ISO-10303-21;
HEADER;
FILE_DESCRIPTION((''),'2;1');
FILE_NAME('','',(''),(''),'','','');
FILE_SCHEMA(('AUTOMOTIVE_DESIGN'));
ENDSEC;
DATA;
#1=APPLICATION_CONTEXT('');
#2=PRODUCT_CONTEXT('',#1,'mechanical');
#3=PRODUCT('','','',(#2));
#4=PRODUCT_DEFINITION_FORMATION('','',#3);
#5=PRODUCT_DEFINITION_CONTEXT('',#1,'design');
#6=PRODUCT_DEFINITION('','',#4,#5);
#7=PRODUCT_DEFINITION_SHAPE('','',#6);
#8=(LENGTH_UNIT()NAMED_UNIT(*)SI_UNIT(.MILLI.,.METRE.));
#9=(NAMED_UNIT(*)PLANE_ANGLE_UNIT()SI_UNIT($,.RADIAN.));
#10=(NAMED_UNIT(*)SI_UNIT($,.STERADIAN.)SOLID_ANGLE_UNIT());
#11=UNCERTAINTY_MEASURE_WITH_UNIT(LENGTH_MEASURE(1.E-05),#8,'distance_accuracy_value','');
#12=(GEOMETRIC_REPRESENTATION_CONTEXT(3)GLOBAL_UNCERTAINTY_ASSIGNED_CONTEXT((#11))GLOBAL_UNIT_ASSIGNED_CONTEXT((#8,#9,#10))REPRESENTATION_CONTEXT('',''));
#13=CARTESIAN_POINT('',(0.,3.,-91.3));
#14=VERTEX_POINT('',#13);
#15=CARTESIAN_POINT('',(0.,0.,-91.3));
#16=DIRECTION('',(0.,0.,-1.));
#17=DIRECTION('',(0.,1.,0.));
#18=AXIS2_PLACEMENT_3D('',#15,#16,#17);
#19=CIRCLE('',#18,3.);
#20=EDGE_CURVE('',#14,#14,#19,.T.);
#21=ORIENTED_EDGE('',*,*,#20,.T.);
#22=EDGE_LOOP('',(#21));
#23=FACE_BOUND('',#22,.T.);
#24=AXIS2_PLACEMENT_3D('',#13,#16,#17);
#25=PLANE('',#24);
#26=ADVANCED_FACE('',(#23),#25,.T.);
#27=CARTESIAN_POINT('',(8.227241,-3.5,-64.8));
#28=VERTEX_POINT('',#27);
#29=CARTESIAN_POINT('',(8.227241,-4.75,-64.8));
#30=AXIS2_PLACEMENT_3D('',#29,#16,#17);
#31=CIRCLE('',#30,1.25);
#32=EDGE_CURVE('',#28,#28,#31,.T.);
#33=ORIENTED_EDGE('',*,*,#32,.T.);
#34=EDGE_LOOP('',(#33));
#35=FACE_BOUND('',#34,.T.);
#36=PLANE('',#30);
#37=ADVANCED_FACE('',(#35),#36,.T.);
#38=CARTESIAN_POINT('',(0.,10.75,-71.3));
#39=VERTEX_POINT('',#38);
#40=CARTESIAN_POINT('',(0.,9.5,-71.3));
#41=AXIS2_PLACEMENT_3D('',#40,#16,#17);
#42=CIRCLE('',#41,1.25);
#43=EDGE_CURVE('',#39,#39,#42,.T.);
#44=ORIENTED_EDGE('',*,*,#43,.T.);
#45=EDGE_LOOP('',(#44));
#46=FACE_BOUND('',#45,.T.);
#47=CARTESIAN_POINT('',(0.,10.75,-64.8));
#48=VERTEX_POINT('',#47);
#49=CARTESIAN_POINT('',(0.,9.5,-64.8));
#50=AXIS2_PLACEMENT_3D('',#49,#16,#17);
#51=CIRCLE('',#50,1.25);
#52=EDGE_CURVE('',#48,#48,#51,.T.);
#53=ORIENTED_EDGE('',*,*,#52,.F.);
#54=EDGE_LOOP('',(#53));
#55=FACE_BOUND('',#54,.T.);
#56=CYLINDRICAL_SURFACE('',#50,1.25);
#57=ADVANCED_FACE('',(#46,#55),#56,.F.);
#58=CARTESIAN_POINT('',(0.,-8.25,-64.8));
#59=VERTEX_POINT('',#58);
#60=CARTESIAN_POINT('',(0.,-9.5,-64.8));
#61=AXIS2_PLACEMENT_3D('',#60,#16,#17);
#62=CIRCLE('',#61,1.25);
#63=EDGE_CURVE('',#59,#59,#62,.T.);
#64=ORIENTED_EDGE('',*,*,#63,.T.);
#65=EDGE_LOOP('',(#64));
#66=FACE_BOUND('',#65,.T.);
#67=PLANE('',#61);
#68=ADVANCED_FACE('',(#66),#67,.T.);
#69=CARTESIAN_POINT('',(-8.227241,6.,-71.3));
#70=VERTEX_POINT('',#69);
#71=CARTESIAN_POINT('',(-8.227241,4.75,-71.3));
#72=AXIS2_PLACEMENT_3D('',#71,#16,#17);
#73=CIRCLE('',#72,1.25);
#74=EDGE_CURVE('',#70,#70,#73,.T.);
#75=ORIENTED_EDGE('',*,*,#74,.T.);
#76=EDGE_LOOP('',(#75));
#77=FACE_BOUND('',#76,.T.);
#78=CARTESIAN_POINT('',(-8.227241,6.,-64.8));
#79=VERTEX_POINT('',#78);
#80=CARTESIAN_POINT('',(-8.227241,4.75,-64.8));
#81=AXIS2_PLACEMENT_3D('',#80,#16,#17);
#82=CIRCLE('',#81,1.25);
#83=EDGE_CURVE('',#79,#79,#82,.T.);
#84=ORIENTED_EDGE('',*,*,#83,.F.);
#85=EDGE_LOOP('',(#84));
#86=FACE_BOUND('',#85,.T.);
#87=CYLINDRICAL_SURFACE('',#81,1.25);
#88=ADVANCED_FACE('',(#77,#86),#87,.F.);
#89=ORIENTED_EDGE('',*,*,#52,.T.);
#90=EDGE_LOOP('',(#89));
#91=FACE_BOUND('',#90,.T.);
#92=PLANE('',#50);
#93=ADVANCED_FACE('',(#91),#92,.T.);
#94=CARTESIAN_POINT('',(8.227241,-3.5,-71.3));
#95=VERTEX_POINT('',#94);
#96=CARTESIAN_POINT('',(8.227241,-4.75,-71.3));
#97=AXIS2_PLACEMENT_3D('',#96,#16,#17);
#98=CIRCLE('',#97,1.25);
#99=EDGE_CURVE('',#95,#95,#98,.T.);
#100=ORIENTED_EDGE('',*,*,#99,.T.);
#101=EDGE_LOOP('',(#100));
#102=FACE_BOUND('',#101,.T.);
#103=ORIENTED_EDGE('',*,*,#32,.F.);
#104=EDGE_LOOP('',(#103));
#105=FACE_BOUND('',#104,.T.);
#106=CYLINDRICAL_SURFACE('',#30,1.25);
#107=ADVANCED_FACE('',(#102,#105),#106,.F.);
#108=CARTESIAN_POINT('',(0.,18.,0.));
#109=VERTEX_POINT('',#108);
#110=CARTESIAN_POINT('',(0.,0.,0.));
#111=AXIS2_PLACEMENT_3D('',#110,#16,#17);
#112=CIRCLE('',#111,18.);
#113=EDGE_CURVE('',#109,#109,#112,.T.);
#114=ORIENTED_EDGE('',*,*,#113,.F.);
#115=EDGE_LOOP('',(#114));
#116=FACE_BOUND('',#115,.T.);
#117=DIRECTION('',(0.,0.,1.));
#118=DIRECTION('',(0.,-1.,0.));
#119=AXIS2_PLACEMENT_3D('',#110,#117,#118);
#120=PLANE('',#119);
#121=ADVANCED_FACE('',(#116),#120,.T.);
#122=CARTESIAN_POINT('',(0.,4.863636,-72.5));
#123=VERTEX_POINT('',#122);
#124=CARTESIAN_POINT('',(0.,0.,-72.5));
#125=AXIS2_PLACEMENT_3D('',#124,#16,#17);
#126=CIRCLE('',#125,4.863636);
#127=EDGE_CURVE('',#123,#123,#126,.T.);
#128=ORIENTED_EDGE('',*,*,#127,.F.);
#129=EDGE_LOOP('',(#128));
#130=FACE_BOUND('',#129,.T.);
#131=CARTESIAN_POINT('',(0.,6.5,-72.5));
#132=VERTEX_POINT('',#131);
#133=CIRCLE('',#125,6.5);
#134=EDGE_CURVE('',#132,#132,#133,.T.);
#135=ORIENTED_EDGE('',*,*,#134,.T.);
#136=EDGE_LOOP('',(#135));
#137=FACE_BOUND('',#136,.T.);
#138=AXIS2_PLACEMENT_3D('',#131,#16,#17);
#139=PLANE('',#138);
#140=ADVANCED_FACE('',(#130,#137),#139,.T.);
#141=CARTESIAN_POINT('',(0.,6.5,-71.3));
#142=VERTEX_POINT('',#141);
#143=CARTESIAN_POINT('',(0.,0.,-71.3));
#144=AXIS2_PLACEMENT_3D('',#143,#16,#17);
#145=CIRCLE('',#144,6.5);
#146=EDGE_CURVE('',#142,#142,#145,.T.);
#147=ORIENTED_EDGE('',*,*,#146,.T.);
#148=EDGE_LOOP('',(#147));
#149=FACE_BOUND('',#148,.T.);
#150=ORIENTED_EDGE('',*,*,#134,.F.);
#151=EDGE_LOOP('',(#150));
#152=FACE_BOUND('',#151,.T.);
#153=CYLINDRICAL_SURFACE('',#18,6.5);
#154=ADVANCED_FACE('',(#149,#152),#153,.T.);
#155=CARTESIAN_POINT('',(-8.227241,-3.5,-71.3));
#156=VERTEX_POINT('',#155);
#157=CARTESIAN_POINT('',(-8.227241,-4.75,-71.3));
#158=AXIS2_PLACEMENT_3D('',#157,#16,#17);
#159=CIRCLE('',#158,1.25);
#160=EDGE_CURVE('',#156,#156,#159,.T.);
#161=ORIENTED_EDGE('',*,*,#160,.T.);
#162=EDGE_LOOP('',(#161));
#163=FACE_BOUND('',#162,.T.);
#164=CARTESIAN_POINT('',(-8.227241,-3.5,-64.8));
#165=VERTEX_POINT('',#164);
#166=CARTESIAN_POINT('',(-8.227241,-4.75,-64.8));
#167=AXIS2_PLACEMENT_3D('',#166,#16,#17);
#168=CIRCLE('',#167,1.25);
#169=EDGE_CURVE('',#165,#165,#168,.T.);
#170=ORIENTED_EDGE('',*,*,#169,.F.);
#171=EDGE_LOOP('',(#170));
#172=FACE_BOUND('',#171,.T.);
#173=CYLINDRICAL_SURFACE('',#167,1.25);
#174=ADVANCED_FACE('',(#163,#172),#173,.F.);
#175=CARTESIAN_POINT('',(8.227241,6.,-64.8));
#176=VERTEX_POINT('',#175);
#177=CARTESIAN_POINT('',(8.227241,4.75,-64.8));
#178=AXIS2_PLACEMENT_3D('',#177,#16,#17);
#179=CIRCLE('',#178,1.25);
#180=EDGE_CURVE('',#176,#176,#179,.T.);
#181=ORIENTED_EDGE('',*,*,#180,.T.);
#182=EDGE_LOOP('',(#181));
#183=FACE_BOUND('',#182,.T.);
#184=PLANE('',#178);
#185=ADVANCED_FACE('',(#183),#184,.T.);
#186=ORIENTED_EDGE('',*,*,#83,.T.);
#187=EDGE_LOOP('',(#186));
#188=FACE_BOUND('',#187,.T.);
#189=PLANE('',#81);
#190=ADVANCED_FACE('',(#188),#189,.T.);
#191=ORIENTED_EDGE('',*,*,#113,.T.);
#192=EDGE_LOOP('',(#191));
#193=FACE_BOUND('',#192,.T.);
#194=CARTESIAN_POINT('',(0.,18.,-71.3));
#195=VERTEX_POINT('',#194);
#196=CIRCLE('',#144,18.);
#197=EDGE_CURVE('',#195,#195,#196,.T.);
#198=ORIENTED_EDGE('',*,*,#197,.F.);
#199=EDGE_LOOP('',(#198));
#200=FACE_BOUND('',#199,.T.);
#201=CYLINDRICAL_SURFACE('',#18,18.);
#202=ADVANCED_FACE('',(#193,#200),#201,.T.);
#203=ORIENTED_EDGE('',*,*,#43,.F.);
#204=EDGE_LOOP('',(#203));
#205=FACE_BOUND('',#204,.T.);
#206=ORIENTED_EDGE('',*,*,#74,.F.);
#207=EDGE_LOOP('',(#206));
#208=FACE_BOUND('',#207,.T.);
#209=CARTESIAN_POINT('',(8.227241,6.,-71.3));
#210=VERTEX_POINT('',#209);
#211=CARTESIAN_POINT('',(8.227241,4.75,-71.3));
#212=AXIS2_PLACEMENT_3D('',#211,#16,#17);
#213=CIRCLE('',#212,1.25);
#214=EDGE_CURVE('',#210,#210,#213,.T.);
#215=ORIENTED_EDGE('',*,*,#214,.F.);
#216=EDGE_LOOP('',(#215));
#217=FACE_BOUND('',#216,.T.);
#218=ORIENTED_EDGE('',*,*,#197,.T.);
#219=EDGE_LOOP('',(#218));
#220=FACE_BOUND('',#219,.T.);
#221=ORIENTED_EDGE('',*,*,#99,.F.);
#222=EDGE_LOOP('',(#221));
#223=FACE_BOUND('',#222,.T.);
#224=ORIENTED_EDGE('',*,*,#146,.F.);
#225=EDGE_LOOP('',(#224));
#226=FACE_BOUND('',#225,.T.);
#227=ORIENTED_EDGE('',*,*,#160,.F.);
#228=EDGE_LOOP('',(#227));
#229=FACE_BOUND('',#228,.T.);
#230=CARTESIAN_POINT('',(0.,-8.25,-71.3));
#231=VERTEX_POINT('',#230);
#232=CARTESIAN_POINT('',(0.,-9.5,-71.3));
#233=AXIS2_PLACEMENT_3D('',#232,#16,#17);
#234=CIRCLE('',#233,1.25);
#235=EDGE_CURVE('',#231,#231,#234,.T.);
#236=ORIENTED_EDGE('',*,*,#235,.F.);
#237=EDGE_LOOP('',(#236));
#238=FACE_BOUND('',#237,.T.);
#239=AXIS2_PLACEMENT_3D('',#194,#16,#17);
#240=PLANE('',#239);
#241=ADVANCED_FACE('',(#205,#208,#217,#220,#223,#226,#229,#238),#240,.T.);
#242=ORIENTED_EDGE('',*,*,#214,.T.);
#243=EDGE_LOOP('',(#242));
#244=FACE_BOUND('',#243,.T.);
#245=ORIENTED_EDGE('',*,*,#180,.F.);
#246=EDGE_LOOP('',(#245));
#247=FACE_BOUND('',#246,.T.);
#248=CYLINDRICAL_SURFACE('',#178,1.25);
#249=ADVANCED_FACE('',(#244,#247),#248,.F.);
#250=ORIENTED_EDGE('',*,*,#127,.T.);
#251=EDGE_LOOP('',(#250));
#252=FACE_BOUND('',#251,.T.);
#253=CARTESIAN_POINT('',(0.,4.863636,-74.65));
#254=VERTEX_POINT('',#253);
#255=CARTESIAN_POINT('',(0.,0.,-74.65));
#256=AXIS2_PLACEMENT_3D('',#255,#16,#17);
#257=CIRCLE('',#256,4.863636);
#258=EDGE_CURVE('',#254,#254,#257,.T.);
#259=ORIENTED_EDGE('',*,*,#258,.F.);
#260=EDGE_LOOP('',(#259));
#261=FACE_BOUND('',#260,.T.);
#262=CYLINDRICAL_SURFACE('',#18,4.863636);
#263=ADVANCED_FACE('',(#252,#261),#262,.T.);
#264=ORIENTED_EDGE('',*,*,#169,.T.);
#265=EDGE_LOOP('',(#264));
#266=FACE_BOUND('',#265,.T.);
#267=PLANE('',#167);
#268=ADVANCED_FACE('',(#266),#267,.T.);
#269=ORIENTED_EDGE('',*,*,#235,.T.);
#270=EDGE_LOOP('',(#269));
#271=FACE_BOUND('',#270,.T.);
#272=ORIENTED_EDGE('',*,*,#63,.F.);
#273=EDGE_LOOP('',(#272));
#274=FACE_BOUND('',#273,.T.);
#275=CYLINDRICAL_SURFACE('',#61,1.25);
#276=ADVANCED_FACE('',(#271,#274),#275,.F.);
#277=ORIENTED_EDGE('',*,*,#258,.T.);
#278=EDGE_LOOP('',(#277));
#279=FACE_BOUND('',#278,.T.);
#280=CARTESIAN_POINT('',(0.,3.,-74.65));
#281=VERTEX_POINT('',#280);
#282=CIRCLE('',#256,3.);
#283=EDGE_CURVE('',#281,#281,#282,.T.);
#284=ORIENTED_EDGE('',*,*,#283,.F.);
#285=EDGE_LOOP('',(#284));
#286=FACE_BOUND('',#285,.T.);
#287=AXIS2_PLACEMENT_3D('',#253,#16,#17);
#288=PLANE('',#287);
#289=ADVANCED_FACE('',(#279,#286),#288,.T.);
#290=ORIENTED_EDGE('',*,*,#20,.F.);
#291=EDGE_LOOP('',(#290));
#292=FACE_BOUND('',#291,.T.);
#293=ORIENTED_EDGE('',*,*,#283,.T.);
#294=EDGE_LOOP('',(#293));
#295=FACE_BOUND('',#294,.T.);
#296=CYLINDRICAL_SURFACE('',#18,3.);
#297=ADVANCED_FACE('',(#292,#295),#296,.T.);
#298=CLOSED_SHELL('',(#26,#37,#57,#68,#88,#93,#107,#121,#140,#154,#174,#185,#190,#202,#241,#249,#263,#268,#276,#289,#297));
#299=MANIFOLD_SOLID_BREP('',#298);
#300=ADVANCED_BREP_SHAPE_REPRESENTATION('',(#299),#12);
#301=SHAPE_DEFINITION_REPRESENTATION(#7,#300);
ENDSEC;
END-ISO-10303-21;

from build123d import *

# Parameters (mm, degrees)
SKETCH2_R          = 1.25
CUT_EXTRUDE1_DEPTH = 6.5


with BuildPart() as part:
    # Sketch1 → Revolve1 (revolve)
    with BuildSketch(Plane(origin=(0, 0, 0), x_dir=(0, 0, -1), z_dir=(1, 0, 0))):
        Polygon((0, 0), (0, 18), (71.3, 18), (71.3, 6.5), (72.5, 6.5), (72.5, 4.863636364), (74.65, 4.863636364), (74.65, 3), (91.3, 3), (91.3, 0), align=None)
    revolve(axis=Axis((0, 0, -91.3), (0, 0, 1)))

    # Sketch2 → Cut-Extrude1 (cut)
    with BuildSketch(Plane(origin=(0, 0, -71.3), x_dir=(-1, 0, 0), z_dir=(0, 0, -1))):
        with Locations((0, 9.5)):
            Circle(SKETCH2_R)
        with Locations((8.227241336, 4.75)):
            Circle(SKETCH2_R)
        with Locations((8.227241336, -4.75)):
            Circle(SKETCH2_R)
        with Locations((0, -9.5)):
            Circle(SKETCH2_R)
        with Locations((-8.227241336, -4.75)):
            Circle(SKETCH2_R)
        with Locations((-8.227241336, 4.75)):
            Circle(SKETCH2_R)
    extrude(amount=-CUT_EXTRUDE1_DEPTH, mode=Mode.SUBTRACT)


solid = part.part
